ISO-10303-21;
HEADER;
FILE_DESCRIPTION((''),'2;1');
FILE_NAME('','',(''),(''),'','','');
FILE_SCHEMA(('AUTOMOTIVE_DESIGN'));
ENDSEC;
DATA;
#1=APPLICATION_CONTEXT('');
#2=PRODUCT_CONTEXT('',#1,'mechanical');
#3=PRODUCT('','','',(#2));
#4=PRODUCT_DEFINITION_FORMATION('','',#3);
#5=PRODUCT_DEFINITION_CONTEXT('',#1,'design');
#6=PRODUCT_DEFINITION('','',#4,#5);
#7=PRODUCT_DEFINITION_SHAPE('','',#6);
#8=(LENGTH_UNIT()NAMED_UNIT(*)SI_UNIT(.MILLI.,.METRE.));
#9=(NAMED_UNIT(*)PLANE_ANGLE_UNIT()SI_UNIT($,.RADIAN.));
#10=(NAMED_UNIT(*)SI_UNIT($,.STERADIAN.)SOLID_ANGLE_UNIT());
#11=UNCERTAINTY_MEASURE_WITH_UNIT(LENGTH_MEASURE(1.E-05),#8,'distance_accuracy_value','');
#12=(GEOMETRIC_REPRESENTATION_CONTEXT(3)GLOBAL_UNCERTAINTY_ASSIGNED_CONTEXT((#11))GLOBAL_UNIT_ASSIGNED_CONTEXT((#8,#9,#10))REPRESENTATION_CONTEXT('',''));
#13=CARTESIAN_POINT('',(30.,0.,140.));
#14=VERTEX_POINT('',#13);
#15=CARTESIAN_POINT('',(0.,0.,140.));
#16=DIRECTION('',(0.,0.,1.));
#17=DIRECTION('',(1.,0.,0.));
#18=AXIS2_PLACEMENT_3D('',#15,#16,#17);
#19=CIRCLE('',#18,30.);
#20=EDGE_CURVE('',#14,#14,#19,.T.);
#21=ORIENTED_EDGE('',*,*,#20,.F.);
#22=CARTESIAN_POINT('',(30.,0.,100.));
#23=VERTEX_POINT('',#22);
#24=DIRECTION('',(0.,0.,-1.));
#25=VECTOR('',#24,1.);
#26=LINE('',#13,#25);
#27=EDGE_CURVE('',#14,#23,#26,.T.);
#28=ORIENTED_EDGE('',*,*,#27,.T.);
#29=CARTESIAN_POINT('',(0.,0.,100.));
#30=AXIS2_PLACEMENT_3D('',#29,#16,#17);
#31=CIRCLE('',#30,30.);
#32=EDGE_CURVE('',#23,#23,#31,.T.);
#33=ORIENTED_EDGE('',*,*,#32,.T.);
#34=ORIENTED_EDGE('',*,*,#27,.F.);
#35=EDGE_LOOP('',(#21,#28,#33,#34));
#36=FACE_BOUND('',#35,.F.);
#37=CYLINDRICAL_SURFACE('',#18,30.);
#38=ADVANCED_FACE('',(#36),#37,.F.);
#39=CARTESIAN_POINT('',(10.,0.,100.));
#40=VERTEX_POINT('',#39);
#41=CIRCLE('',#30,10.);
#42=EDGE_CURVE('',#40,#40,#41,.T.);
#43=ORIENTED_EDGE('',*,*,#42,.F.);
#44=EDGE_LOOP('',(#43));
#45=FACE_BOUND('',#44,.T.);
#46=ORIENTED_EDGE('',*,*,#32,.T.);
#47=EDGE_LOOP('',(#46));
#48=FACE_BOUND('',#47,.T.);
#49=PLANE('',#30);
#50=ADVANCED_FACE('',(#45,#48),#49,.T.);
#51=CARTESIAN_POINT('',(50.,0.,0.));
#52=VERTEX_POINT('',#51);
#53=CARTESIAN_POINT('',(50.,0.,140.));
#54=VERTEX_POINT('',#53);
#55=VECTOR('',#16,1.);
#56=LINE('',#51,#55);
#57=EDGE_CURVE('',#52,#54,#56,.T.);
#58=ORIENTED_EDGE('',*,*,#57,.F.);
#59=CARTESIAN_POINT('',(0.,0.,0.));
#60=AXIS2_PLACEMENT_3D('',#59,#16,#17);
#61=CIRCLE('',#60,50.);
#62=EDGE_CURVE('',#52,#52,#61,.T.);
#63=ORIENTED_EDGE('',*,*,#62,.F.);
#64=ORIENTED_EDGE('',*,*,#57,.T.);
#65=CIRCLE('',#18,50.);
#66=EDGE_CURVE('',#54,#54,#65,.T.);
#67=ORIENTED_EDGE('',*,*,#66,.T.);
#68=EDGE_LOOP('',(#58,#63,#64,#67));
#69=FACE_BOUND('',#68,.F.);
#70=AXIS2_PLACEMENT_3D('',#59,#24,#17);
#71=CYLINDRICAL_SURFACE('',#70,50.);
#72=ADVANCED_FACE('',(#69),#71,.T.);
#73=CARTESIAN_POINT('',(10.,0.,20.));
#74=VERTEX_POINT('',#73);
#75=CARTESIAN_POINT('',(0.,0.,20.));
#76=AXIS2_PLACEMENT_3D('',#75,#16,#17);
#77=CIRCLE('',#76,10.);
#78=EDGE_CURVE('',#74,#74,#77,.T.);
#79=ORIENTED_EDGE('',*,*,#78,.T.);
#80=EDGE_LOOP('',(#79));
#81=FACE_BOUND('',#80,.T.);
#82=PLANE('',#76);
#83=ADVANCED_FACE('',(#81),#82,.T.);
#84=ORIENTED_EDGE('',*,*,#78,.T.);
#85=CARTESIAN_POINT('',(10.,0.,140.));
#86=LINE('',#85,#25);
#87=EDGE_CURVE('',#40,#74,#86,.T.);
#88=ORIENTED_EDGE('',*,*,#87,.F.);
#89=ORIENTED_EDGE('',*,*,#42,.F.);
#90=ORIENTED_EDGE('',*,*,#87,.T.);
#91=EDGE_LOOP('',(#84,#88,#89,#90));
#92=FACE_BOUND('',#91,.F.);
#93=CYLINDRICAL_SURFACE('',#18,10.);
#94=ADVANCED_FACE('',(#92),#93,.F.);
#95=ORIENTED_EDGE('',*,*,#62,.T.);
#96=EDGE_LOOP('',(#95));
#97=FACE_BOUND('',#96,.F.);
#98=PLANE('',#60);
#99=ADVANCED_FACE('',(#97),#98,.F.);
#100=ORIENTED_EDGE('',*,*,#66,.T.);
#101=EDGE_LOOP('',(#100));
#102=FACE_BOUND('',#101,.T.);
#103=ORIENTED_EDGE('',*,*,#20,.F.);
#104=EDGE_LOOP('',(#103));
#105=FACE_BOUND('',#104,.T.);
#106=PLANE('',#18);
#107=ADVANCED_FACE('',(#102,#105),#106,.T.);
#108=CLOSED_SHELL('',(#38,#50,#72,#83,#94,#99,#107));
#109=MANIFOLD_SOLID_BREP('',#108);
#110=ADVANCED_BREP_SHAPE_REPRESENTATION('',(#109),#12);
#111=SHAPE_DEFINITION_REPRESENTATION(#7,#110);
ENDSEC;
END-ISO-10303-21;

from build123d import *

# Parameters (mm, degrees)
SKETCH2_R           = 50
BOSS_EXTRUDE1_DEPTH = 140
SKETCH3_R           = 30
CUT_EXTRUDE1_DEPTH  = 40
SKETCH4_R           = 10
CUT_EXTRUDE2_DEPTH  = 120


with BuildPart() as part:
    # Sketch2 → Boss-Extrude1 (new body)
    with BuildSketch(Plane.XY):
        Circle(SKETCH2_R)
    extrude(amount=BOSS_EXTRUDE1_DEPTH)

    # Sketch3 → Cut-Extrude1 (cut)
    with BuildSketch(Plane.XY.offset(140)):
        Circle(SKETCH3_R)
    extrude(amount=-CUT_EXTRUDE1_DEPTH, mode=Mode.SUBTRACT)

    # Sketch4 → Cut-Extrude2 (cut)
    with BuildSketch(Plane.XY.offset(140)):
        Circle(SKETCH4_R)
    extrude(amount=-CUT_EXTRUDE2_DEPTH, mode=Mode.SUBTRACT)


solid = part.part
